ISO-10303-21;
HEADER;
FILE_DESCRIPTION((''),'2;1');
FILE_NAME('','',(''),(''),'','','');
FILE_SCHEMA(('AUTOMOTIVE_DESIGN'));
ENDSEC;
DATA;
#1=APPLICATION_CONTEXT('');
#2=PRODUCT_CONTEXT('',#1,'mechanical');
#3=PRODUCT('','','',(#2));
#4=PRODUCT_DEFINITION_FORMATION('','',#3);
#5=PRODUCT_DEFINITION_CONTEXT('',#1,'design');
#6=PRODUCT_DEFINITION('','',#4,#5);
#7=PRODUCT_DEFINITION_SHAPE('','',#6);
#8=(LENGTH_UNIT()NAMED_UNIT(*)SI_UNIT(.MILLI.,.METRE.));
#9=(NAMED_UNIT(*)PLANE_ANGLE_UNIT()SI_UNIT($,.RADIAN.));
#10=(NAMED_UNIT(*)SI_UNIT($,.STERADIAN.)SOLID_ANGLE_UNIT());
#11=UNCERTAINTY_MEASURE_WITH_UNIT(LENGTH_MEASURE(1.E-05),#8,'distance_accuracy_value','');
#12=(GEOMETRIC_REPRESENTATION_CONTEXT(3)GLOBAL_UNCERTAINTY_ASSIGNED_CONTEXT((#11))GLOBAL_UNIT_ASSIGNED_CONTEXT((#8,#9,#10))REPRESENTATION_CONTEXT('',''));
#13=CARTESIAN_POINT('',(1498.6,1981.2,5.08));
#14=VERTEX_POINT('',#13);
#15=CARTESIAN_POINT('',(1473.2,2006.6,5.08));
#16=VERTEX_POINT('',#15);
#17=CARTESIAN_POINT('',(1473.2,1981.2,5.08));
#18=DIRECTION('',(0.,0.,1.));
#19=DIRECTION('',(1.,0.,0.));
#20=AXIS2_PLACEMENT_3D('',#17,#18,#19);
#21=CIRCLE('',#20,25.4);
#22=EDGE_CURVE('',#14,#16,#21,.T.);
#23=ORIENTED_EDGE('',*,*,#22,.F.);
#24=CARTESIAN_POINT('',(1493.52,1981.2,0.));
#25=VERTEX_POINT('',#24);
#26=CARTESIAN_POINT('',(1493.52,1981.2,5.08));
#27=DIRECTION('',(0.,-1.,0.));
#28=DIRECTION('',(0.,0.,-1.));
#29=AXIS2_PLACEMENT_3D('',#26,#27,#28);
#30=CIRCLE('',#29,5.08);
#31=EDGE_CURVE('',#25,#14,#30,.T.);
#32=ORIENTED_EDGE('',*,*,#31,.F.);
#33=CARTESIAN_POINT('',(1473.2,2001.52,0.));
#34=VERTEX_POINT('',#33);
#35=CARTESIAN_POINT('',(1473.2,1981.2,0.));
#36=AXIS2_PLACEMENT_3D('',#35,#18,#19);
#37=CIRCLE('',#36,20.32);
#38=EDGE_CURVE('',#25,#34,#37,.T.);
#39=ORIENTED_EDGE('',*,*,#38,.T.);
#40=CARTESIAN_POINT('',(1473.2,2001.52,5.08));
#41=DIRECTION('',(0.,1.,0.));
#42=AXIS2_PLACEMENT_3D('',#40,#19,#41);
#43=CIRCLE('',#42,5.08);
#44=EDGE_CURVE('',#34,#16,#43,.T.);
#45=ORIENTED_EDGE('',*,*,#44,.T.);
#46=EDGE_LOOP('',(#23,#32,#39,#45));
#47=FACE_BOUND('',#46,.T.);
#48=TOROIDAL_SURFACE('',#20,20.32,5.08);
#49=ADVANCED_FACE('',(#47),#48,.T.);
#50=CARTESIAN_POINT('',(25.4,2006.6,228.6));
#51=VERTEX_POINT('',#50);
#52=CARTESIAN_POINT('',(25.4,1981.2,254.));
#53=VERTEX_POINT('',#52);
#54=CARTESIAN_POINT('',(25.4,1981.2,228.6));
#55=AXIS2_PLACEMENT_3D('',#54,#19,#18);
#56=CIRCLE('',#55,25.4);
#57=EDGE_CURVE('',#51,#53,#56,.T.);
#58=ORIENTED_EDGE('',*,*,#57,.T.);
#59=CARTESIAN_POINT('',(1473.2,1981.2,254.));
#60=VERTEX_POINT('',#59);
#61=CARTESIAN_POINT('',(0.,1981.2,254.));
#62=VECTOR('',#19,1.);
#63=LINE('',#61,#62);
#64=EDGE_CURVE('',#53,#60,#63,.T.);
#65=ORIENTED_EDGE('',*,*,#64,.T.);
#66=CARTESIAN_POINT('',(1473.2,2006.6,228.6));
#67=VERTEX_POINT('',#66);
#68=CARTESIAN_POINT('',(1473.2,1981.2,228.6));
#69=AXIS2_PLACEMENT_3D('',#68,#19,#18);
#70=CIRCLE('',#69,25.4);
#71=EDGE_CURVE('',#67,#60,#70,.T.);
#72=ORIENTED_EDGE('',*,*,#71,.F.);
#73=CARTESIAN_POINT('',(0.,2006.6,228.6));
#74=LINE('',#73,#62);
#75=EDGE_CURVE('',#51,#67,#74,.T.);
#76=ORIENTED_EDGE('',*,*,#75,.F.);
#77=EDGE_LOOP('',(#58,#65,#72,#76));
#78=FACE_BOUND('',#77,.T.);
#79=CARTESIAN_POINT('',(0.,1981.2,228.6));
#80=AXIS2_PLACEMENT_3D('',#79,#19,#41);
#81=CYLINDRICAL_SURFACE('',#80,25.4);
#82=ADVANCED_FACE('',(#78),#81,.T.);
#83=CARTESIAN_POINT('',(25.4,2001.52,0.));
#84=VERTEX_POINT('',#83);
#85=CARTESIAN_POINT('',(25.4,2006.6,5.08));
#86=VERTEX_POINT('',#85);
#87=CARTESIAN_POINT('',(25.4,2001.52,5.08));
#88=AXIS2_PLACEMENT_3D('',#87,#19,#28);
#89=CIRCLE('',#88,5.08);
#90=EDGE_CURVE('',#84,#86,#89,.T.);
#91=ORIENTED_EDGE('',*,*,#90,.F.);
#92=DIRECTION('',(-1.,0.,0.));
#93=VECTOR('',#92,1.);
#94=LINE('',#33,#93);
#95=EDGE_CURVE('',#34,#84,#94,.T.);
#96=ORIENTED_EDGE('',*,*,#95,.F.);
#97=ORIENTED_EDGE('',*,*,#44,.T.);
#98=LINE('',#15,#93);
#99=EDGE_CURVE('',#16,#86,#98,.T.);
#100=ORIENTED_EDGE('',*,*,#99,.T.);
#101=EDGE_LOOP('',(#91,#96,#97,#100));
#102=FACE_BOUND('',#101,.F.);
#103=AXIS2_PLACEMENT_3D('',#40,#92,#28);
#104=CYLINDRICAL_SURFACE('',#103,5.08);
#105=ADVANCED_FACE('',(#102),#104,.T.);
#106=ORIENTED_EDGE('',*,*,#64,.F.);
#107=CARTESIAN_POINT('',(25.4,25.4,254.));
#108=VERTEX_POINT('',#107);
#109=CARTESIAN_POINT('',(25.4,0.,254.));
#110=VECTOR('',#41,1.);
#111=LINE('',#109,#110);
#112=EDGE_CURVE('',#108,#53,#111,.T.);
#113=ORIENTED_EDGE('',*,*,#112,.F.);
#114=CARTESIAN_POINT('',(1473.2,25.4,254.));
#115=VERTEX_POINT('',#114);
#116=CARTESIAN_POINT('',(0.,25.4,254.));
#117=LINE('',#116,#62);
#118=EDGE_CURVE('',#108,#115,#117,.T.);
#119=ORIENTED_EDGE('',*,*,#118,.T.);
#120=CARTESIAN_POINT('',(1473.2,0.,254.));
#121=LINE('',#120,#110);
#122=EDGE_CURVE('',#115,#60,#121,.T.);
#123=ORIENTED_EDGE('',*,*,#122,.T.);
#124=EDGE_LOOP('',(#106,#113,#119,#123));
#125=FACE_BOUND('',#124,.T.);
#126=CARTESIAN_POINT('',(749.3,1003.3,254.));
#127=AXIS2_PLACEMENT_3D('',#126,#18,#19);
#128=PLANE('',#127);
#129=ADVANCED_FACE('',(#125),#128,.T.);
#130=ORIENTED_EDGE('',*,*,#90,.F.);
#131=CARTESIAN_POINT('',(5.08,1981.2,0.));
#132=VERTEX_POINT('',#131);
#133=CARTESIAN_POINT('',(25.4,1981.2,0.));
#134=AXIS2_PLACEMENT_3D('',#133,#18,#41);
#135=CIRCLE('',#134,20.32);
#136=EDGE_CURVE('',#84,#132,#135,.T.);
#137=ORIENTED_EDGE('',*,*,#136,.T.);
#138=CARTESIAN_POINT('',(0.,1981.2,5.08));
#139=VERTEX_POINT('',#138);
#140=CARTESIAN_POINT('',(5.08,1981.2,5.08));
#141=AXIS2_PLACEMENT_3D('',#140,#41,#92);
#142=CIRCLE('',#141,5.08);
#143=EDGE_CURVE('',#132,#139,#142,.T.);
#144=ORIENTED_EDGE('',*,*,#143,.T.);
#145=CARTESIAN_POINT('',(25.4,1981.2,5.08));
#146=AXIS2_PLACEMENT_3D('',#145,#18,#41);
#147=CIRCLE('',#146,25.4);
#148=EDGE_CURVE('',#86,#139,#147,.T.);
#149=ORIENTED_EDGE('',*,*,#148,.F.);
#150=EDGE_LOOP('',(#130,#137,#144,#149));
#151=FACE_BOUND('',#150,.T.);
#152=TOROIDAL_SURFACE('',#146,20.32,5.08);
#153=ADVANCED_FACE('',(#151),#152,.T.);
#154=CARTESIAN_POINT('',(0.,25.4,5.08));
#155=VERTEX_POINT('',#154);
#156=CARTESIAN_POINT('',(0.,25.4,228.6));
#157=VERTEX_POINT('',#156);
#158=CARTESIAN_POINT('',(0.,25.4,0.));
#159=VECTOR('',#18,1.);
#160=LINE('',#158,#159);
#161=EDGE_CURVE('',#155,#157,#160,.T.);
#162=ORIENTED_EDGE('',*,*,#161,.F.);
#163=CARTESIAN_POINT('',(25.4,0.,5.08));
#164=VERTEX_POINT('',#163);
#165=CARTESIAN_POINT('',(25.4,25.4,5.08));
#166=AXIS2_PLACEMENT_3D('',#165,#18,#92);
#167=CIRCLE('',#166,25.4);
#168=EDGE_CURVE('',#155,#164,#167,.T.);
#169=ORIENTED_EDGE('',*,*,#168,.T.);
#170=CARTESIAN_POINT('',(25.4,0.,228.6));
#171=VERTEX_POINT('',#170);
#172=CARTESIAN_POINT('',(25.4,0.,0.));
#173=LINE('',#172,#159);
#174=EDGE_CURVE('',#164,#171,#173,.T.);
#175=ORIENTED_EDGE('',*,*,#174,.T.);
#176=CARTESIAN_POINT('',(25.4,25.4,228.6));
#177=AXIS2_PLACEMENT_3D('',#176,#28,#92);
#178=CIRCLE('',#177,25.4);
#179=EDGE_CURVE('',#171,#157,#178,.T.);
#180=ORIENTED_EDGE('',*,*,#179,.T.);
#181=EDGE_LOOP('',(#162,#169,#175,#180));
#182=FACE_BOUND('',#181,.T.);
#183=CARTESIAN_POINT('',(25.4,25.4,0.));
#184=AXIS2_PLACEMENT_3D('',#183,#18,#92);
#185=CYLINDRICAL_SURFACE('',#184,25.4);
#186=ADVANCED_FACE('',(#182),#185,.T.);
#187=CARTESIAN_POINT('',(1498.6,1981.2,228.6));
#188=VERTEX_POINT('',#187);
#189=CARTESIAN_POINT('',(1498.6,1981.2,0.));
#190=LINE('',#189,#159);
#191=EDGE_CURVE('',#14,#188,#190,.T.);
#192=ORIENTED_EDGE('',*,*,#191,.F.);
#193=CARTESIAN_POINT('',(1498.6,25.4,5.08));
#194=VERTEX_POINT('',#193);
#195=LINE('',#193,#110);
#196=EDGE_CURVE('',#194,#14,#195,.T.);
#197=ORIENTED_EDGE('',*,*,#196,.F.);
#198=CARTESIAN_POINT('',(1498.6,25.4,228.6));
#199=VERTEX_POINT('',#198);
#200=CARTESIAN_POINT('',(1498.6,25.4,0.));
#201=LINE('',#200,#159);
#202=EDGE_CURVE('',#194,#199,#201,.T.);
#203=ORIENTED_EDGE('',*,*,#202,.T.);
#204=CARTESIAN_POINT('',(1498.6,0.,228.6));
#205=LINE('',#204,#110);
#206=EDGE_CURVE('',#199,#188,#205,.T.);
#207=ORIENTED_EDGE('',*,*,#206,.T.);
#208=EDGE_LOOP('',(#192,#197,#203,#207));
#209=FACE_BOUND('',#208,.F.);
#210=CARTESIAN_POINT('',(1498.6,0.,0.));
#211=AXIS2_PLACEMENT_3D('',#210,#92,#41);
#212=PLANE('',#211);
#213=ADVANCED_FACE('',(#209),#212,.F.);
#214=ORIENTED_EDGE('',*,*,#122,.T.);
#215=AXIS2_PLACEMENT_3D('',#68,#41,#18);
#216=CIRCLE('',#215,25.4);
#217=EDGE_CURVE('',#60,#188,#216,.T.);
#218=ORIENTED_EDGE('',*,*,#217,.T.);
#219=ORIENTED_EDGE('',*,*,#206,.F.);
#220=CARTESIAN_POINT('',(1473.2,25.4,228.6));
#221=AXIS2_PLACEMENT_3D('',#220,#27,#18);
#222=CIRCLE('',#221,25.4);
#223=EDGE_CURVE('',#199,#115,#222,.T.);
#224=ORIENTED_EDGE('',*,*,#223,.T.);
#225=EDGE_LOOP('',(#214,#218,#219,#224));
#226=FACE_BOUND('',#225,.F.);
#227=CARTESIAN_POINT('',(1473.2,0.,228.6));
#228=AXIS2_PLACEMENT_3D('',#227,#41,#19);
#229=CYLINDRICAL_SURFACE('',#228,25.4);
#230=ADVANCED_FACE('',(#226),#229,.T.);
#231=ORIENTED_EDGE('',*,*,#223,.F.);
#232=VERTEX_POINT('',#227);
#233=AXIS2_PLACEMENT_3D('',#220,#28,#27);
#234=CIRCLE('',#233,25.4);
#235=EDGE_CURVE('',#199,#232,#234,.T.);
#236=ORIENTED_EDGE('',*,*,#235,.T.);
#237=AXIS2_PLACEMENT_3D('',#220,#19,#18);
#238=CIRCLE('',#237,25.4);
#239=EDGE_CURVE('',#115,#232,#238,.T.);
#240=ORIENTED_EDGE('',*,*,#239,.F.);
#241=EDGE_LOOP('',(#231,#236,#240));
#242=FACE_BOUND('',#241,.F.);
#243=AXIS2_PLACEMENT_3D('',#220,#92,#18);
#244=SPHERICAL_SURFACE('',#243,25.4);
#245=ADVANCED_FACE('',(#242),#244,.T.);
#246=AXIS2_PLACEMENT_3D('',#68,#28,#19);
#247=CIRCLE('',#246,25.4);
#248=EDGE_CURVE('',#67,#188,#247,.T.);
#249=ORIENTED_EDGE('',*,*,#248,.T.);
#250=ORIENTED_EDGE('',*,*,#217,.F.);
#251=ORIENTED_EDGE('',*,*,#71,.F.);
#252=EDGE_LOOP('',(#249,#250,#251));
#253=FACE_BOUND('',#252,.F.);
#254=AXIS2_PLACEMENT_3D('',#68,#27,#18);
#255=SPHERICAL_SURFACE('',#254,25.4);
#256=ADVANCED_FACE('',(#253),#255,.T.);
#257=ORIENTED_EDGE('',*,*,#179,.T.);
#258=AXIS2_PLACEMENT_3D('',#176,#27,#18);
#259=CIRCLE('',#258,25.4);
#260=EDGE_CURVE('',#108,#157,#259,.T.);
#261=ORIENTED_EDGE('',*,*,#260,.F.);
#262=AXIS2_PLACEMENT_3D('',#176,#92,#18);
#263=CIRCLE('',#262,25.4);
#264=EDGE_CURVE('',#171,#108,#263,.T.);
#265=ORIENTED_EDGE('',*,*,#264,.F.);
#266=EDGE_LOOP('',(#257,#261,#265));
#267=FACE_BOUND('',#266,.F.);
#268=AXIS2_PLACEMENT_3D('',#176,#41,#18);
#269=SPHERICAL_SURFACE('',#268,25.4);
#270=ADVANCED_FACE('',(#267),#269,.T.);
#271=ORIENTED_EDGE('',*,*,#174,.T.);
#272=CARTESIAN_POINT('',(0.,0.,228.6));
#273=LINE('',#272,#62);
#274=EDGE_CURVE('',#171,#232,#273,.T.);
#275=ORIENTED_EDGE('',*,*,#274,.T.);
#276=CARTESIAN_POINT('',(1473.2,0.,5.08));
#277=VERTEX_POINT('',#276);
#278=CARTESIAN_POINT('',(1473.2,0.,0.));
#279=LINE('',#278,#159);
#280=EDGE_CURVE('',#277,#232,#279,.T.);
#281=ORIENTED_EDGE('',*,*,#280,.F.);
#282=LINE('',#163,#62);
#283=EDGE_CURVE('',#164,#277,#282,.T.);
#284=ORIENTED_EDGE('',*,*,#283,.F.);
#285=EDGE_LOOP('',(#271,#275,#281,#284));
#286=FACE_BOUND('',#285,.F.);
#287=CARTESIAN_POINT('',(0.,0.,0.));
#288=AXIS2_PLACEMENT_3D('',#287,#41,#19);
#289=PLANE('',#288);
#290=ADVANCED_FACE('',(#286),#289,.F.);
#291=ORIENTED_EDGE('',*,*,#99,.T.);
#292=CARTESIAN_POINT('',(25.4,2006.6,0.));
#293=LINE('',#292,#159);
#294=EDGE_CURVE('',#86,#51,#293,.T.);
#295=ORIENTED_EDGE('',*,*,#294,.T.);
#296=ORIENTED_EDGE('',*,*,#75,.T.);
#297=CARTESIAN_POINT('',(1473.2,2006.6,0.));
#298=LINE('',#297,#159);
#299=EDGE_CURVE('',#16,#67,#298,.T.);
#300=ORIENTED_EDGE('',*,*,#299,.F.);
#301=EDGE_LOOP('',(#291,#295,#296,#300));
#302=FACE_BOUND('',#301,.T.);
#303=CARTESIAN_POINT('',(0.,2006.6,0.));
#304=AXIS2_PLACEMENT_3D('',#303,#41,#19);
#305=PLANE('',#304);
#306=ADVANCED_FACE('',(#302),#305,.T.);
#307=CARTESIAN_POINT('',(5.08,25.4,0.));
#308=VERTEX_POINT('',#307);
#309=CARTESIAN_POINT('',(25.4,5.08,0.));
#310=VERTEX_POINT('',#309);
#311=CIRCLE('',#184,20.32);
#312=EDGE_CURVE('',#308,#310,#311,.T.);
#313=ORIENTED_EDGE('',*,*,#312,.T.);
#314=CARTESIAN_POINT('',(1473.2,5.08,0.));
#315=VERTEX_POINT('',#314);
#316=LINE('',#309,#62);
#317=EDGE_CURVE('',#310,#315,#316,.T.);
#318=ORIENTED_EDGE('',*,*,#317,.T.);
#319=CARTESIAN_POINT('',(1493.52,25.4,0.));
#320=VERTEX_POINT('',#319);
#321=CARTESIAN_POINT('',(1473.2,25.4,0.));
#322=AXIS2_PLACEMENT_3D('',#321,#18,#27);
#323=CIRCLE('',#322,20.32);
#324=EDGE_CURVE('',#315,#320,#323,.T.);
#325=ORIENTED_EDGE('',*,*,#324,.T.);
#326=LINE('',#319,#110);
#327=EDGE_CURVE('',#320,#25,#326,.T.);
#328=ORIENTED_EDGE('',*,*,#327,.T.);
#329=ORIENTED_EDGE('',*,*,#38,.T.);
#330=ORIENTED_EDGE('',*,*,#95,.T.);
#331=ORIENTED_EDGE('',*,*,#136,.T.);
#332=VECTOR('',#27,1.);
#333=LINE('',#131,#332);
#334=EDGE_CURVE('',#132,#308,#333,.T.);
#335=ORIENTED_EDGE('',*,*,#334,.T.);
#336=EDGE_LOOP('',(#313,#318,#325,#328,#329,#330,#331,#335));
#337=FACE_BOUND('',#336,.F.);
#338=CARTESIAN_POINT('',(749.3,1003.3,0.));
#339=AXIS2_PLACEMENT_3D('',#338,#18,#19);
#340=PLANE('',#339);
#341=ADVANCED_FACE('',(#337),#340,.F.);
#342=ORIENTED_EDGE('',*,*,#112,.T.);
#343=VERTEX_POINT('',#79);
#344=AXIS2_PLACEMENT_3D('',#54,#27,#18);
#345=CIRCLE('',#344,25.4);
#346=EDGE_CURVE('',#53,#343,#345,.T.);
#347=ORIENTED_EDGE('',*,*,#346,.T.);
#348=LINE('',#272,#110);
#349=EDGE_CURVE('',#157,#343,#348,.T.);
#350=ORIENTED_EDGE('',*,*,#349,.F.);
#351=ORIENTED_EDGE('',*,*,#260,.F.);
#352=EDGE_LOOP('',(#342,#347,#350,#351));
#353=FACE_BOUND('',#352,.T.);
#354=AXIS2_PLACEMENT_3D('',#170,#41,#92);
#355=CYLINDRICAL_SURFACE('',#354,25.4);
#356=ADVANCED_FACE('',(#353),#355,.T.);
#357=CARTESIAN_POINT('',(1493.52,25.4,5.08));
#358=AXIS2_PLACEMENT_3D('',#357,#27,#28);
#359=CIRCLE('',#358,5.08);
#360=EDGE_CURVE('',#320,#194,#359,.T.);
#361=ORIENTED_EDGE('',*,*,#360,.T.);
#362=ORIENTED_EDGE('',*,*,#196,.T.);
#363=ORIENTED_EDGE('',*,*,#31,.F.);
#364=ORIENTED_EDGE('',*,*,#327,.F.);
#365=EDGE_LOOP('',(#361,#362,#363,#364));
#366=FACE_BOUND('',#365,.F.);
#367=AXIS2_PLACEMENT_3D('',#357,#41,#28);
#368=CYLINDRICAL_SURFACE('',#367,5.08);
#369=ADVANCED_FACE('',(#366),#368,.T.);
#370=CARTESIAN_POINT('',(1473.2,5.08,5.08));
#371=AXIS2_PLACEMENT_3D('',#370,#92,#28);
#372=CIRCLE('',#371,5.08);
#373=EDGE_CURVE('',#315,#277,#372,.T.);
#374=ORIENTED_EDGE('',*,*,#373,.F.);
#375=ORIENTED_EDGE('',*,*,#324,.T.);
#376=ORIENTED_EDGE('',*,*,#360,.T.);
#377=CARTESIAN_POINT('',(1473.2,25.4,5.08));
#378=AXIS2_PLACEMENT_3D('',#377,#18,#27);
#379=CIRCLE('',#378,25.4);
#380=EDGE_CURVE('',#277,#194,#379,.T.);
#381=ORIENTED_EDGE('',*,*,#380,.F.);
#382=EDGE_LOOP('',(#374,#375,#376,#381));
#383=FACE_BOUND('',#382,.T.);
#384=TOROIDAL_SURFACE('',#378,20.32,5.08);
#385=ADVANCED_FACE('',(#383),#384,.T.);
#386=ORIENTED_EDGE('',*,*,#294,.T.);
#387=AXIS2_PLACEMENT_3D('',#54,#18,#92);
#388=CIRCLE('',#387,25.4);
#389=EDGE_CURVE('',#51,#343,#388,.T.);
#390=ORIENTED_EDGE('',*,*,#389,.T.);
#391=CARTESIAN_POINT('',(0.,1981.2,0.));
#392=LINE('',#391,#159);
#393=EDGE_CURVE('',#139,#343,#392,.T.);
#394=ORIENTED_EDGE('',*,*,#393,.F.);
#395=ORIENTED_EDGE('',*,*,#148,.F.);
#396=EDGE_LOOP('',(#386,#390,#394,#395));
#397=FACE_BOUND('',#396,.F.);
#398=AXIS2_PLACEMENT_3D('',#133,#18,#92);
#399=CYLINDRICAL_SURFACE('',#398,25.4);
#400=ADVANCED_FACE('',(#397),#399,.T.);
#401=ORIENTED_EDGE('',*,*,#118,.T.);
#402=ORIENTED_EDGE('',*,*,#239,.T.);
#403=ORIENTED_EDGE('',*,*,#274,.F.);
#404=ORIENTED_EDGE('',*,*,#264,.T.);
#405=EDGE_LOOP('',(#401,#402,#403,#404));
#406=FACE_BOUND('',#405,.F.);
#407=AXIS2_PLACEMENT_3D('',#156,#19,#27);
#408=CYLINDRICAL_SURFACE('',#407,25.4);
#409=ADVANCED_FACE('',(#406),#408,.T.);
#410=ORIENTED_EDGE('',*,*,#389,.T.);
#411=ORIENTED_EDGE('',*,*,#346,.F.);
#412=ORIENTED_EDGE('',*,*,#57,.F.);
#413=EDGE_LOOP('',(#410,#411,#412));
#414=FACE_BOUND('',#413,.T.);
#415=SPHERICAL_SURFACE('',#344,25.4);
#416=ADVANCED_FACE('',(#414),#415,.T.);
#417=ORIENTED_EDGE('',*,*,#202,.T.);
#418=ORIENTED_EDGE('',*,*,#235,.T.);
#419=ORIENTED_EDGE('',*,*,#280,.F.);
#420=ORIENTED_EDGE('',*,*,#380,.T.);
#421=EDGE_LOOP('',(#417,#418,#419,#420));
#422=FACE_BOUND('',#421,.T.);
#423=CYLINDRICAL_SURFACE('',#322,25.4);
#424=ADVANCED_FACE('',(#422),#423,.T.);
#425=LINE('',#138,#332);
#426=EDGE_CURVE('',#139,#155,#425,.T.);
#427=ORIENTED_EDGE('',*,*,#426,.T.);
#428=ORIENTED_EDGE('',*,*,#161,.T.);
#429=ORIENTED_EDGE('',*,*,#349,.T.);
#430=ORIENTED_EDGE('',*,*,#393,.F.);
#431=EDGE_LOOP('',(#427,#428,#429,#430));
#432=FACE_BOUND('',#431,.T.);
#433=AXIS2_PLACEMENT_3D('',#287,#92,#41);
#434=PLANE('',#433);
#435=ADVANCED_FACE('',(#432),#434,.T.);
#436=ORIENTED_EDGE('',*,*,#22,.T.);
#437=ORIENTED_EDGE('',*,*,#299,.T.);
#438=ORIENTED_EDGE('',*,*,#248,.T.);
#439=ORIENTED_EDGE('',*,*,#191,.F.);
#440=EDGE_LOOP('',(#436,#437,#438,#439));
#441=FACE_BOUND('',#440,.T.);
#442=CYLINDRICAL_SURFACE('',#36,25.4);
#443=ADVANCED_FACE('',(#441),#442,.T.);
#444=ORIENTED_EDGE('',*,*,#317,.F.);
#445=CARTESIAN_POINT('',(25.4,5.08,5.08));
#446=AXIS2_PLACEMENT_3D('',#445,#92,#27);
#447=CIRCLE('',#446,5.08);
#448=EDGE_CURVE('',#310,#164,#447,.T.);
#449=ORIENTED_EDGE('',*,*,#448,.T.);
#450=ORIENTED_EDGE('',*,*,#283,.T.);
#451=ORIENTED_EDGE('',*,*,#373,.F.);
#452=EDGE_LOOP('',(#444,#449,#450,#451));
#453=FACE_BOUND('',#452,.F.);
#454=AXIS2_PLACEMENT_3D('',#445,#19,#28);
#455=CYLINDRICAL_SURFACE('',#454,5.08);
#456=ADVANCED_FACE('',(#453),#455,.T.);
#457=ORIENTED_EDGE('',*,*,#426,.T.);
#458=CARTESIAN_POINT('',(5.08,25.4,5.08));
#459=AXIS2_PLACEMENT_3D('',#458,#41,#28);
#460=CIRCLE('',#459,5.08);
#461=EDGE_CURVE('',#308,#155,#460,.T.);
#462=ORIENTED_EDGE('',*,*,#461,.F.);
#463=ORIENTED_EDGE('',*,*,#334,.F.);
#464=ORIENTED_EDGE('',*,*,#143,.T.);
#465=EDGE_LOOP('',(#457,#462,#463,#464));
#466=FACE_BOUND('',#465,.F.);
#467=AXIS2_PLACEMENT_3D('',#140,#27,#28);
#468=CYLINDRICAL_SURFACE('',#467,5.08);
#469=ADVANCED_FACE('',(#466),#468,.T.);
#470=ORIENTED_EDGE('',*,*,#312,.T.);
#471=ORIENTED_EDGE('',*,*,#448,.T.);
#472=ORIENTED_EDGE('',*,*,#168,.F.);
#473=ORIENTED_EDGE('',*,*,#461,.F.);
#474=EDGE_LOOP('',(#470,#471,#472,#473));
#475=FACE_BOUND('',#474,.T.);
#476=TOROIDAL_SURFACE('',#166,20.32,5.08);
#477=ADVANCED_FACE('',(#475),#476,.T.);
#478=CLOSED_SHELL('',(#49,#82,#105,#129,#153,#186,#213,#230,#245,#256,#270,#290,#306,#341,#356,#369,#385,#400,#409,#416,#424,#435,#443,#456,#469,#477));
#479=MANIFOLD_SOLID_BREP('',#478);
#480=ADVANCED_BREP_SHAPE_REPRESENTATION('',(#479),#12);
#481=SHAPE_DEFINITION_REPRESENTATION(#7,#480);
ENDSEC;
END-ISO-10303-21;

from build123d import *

# Parameters (mm, degrees)
F0_W     = 1498.6
F0_H     = 2006.6
F1_DEPTH = 254
F2_R     = 25.4
F3_R     = 5.08


with BuildPart() as f1:
    # F0 (on Top) → F1 (new body)
    with BuildSketch(Plane.XY):
        with Locations((749.3, 1003.3)):
            Rectangle(F0_W, F0_H)
    extrude(amount=F1_DEPTH)

    # F2
    f2_edges = [f1.edges().sort_by_distance(p)[0] for p in [
        (0, 1003.3, 254),
        (749.3, 0, 254),
        (1498.6, 1003.3, 254),
        (749.3, 2006.6, 254),
        (1498.6, 0, 127),
        (0, 0, 127),
        (1498.6, 2006.6, 127),
        (0, 2006.6, 127),
    ]]
    fillet(f2_edges, radius=F2_R)

    # F3
    f3_edges = [f1.edges().sort_by_distance(p)[0] for p in [
        (1498.6, 1003.3, 0),
        (749.3, 0, 0),
        (0, 1003.3, 0),
        (749.3, 2006.6, 0),
    ]]
    fillet(f3_edges, radius=F3_R)


solid = f1.part
